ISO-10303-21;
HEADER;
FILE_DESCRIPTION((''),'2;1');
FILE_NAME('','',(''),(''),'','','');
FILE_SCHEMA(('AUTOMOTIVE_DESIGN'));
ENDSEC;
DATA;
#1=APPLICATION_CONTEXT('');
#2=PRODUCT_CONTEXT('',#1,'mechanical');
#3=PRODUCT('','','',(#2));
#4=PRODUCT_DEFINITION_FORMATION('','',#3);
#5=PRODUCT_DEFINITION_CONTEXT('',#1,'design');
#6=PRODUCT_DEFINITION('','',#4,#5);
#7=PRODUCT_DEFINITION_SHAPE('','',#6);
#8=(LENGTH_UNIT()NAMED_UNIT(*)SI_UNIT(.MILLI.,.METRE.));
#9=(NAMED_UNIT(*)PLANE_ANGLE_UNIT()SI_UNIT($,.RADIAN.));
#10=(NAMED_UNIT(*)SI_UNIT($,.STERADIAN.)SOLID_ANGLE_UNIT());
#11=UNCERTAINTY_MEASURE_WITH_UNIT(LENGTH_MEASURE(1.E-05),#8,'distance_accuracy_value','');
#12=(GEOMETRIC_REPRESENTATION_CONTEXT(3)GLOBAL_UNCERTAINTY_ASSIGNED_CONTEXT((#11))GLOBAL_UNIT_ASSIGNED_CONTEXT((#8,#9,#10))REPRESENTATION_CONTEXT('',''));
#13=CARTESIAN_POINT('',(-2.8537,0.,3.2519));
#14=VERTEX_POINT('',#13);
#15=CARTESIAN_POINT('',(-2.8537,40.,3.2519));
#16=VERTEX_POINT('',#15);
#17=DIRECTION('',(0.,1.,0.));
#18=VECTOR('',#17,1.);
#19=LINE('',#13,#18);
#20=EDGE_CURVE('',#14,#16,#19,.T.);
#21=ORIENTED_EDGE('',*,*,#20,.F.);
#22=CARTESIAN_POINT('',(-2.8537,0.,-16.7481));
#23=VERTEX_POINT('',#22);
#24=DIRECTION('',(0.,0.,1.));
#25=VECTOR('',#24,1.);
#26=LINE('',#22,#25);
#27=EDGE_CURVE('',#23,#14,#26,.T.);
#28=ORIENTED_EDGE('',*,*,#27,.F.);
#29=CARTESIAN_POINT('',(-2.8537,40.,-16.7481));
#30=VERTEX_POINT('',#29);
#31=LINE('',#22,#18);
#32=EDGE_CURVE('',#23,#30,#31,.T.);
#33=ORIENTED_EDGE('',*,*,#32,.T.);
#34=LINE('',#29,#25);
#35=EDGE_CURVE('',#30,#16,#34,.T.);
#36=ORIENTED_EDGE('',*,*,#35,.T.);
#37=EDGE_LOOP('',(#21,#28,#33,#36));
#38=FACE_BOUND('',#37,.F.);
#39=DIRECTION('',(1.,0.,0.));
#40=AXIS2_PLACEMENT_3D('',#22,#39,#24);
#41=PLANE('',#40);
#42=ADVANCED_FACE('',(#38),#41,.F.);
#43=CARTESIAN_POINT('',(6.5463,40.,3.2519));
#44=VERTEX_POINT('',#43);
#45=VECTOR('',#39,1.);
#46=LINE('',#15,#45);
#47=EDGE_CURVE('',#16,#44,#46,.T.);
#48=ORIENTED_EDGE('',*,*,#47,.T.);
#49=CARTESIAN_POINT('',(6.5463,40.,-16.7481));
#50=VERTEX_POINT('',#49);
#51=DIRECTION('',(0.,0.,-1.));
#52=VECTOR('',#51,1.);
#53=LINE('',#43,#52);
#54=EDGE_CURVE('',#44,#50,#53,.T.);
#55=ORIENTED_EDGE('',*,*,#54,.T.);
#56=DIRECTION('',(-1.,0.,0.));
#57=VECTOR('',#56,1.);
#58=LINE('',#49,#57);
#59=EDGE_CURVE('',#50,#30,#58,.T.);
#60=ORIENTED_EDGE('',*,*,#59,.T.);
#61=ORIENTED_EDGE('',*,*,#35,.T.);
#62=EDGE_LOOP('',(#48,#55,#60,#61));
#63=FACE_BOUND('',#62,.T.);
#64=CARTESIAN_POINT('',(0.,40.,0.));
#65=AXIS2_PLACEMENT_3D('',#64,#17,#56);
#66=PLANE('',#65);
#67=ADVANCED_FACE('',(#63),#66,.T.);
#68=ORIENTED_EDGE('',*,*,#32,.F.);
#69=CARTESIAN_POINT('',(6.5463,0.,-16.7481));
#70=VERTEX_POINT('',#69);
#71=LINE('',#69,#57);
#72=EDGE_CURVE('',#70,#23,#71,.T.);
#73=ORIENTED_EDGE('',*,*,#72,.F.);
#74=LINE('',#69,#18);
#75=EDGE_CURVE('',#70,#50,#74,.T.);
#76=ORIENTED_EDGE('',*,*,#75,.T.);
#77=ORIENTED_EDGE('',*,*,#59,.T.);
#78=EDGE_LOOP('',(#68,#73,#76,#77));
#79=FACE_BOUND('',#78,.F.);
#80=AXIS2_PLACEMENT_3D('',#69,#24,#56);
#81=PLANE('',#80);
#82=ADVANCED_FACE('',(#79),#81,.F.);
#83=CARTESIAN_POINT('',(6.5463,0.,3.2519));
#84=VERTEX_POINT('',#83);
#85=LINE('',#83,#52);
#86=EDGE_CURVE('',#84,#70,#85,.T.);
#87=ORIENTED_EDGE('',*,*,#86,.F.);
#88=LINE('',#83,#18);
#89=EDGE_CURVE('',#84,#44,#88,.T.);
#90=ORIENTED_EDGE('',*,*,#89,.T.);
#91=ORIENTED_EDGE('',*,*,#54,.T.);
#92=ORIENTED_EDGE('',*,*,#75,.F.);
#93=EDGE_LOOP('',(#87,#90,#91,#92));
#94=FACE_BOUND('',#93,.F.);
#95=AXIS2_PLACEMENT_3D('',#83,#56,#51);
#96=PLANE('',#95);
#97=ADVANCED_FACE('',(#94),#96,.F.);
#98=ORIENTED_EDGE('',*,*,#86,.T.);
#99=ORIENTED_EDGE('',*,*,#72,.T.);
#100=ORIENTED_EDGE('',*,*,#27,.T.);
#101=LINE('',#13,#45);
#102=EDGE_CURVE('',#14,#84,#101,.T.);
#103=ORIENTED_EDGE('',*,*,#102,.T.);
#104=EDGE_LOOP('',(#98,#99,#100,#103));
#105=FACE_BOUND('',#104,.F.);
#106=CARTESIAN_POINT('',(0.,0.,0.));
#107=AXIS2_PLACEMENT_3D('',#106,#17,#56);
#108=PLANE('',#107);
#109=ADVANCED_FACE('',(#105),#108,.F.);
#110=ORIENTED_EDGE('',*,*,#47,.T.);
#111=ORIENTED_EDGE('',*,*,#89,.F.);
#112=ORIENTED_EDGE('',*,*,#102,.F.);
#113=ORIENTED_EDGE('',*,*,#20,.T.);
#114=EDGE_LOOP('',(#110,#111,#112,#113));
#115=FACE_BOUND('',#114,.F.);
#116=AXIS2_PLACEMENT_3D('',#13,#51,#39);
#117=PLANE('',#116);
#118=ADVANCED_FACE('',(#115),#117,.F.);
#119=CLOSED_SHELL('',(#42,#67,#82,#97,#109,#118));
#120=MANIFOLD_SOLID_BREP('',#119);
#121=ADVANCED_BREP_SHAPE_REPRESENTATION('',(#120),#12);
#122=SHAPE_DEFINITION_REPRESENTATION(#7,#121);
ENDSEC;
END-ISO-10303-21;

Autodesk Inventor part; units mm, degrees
ref_plane "YZ Plane" through (0, 0, 0) normal (1, 0, 0) x (0, 1, 0)
ref_plane "XZ Plane" through (0, 0, 0) normal (0, 1, 0) x (-1, 0, 0)
ref_plane "XY Plane" through (0, 0, 0) normal (0, 0, 1) x (1, 0, 0)
sketch "Szkic1" plane through (0, 0, 0) normal (0, 1, 0) x (-1, 0, 0)
  line L0 (2.8537, 3.2519) -> (-6.5463, 3.2519)
  line L1 (-6.5463, 3.2519) -> (-6.5463, -16.7481)
  line L2 (-6.5463, -16.7481) -> (2.8537, -16.7481)
  line L3 (2.8537, -16.7481) -> (2.8537, 3.2519)
  point P0 (0, 0)
  dimension "d0" = 9.4
  dimension "d1" = 20
extrude "Wyciągnięcie proste1" add sketch "Szkic1" along normal blind 40
properties part number "li-pol_250"
